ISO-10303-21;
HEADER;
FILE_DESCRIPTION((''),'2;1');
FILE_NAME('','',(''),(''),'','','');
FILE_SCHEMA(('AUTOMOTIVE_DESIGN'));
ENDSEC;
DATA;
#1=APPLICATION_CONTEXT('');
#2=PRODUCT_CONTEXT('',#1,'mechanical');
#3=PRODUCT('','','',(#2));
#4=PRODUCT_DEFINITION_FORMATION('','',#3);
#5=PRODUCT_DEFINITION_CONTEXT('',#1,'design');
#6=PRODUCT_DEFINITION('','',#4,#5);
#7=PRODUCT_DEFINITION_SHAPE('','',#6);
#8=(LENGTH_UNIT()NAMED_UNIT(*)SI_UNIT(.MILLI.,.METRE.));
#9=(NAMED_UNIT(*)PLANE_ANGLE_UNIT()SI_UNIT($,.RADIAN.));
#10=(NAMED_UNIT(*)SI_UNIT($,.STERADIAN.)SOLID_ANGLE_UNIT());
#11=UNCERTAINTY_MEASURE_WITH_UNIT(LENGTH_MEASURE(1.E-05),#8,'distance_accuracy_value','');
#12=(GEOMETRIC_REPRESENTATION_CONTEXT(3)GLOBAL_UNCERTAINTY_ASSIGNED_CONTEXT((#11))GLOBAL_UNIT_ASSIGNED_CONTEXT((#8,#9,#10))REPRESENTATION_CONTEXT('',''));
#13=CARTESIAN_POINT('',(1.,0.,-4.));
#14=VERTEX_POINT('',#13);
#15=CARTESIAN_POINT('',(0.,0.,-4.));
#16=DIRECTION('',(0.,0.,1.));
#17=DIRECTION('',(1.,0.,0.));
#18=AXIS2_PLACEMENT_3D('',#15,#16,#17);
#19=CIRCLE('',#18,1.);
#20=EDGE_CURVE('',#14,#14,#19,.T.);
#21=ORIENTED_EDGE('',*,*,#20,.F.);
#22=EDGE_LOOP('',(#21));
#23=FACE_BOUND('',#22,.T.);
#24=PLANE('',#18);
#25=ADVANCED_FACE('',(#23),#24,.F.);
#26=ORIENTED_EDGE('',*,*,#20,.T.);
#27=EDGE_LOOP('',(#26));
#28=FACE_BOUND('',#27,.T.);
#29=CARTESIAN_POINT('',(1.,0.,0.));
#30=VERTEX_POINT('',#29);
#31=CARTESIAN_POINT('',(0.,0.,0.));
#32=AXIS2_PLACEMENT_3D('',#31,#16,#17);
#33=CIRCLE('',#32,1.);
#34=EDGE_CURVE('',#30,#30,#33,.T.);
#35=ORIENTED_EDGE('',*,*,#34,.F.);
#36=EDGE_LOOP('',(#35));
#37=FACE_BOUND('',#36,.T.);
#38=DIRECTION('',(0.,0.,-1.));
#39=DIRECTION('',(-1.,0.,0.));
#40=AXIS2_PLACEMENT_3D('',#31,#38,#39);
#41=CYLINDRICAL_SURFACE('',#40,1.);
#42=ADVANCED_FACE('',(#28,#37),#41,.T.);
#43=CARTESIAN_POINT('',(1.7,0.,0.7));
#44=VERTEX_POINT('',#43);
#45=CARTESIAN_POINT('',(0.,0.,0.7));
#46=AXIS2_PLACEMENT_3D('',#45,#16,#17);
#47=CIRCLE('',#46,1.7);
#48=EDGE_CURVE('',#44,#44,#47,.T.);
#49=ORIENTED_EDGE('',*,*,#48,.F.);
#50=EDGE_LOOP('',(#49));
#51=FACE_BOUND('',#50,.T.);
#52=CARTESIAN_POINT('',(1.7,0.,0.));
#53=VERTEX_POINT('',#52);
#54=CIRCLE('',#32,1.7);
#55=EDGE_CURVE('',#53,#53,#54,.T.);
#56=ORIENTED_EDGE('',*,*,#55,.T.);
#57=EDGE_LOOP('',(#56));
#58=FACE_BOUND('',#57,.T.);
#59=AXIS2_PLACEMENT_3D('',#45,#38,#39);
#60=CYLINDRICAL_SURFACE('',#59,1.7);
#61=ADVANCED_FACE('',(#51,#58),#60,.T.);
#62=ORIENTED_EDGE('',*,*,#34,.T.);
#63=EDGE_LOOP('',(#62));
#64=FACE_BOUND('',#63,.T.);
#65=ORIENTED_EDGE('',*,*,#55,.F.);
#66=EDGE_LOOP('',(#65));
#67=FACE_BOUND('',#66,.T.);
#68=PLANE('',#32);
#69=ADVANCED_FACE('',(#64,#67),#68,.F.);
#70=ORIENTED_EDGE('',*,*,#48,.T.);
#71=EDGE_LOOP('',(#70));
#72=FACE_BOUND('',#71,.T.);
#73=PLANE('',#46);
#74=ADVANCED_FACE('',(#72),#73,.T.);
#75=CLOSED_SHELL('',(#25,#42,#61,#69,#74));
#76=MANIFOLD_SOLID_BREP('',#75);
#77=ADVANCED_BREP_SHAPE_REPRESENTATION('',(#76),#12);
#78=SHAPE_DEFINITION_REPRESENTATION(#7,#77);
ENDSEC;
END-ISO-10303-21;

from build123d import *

# Parameters (mm, degrees)
THREAD_ENVELOPE_START = -4
SKETCH1_R             = 1
THREAD_ENVELOPE_DEPTH = 4
SKETCH2_R             = 1.7
HEAD_ENVELOPE_DEPTH   = 0.7


with BuildPart() as part:
    # Sketch1 → Thread_Envelope (new body)
    with BuildSketch(Plane.XY.offset(THREAD_ENVELOPE_START)):
        Circle(SKETCH1_R)
    extrude(amount=THREAD_ENVELOPE_DEPTH)

    # Sketch2 → Head_Envelope (add)
    with BuildSketch(Plane.XY):
        Circle(SKETCH2_R)
    extrude(amount=HEAD_ENVELOPE_DEPTH)


solid = part.part
